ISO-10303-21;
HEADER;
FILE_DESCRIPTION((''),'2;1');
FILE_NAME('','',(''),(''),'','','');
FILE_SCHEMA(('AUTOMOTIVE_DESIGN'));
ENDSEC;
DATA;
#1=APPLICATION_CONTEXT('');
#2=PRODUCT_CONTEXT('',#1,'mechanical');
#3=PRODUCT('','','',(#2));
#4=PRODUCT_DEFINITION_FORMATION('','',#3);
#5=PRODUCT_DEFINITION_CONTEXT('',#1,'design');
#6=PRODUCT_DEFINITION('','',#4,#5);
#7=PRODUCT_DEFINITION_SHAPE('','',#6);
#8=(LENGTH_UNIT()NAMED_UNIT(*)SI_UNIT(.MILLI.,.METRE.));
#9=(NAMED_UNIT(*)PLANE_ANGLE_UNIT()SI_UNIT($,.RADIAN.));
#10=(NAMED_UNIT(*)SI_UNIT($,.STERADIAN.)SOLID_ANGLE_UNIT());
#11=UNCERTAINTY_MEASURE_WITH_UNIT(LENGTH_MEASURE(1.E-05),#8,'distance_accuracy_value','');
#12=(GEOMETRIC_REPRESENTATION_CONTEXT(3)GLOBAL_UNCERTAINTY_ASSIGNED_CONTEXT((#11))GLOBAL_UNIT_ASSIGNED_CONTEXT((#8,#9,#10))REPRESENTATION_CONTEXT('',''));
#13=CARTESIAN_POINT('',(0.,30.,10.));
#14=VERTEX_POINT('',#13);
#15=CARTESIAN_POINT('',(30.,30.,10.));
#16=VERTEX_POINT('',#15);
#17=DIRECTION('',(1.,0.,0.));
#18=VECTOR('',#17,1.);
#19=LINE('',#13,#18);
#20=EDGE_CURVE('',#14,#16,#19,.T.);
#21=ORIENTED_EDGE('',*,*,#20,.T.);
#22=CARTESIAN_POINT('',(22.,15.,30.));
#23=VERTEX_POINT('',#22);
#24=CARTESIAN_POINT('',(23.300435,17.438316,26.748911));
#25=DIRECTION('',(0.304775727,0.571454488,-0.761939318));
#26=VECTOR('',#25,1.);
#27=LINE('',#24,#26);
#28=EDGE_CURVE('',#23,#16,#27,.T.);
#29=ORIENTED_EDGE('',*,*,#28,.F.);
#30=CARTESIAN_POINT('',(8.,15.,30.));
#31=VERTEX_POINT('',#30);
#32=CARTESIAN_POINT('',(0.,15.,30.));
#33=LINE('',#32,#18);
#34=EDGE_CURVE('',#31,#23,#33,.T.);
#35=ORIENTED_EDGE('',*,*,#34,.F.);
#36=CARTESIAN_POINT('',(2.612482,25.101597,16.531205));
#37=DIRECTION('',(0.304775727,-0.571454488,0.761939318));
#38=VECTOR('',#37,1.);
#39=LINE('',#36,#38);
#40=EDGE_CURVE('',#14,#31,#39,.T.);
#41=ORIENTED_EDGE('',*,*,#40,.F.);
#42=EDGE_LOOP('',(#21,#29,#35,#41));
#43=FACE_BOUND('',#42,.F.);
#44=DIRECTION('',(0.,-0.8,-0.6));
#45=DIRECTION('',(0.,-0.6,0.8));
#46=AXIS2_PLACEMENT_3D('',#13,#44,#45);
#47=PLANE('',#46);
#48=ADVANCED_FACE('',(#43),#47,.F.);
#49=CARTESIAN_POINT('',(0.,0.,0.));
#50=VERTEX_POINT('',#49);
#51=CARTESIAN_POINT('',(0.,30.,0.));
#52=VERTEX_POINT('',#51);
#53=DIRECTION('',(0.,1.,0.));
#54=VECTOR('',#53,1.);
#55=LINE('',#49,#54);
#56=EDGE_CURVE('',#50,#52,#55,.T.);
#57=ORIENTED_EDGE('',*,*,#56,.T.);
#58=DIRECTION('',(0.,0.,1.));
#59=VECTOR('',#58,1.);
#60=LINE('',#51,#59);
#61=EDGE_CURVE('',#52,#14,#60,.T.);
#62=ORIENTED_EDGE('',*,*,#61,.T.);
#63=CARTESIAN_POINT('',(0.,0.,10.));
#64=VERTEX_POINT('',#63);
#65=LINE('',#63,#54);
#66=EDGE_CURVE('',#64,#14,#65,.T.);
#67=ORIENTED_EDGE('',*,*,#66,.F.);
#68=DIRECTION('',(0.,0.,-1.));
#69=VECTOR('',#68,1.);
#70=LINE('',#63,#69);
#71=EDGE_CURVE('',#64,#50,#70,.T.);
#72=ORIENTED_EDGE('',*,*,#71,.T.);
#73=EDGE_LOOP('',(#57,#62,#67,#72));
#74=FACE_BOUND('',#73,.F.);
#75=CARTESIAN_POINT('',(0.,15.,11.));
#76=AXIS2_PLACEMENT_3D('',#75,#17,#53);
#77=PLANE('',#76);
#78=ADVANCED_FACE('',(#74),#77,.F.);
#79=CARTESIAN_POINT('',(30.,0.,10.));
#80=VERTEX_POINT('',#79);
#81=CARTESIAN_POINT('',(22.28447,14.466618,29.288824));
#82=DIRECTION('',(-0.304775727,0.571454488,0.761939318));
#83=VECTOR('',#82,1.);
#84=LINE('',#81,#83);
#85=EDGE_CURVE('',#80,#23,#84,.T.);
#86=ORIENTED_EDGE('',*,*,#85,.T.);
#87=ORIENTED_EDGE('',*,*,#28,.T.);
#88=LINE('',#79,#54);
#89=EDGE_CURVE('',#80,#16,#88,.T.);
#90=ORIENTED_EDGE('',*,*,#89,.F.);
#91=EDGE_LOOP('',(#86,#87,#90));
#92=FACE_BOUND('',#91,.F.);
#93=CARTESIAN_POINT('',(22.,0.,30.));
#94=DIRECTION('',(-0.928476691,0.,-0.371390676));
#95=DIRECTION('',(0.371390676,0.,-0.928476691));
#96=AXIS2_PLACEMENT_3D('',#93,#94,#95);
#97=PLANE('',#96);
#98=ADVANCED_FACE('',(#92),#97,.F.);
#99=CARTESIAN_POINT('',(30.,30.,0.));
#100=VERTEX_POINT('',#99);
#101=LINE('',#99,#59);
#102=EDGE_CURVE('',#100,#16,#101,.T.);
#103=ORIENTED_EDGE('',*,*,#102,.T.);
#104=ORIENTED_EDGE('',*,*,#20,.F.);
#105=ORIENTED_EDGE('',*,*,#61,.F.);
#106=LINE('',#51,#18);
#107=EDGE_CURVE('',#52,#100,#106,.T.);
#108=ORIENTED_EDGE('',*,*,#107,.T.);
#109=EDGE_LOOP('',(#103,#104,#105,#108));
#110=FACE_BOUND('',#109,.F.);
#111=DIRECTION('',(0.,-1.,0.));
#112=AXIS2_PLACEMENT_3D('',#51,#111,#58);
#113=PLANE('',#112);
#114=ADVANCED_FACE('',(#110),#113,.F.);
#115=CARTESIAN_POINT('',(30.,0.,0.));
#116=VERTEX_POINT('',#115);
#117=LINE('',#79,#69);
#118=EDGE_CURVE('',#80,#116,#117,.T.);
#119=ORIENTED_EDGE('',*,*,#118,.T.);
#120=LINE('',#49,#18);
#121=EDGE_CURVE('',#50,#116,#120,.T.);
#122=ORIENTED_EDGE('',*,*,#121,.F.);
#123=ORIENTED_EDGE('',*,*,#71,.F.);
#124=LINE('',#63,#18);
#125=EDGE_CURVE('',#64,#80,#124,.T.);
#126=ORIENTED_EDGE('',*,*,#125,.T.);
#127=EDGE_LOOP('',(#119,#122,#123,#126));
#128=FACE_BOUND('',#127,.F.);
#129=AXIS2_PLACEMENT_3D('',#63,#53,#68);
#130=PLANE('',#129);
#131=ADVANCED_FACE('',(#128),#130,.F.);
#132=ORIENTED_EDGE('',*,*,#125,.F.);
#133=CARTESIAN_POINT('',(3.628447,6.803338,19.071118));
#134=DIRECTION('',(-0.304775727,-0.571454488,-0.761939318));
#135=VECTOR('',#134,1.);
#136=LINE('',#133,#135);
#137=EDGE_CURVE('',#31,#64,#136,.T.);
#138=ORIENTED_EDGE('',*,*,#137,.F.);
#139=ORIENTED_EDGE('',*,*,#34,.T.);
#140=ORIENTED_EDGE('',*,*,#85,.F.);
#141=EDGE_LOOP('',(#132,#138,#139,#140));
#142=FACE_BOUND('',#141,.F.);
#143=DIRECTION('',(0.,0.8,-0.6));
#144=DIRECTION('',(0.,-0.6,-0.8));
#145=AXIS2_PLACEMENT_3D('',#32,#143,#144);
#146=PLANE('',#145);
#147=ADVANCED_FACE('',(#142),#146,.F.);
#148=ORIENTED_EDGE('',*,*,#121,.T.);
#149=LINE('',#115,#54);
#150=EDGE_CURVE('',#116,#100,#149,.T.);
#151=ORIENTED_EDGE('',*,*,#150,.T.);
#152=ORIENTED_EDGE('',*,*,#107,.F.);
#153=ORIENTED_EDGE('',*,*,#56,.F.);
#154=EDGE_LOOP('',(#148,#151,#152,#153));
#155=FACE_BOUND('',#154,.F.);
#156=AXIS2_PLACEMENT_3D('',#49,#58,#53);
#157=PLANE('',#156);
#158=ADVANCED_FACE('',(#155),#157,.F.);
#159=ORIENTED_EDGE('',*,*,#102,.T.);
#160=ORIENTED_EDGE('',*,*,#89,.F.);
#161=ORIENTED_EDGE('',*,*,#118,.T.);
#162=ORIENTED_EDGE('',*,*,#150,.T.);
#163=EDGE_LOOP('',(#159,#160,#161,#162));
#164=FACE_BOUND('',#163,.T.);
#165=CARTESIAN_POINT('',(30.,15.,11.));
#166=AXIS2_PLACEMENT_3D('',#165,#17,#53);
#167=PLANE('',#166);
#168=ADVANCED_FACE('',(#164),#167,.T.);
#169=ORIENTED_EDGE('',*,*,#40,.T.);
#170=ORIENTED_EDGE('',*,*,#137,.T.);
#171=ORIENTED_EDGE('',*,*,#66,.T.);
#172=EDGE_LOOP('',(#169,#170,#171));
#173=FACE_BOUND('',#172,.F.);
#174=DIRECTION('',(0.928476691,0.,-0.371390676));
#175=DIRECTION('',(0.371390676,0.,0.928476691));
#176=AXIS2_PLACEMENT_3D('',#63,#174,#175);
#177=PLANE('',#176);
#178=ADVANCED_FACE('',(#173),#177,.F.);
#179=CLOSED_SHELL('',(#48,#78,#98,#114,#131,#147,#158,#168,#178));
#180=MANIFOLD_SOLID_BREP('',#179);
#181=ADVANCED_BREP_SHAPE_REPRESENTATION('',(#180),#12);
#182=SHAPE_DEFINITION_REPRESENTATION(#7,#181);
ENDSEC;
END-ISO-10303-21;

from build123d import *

# Parameters (mm, degrees)
F1_DEPTH = 30
F3_DEPTH = 30.001


with BuildPart() as f1:
    # F0 (on Right) → F1 (new body)
    with BuildSketch(Plane.YZ):
        Polygon((0, 10), (0, 0), (30, 0), (30, 10), (15, 30), align=None)
    extrude(amount=F1_DEPTH)

    # F2 (on face) → F3 (cut, through all)
    with BuildSketch(Plane.XZ):
        Polygon((30, 10), (30, 30), (22, 30), align=None)
        Polygon((0, 30), (0, 10), (8, 30), align=None)
    extrude(amount=-F3_DEPTH, mode=Mode.SUBTRACT)


solid = f1.part
